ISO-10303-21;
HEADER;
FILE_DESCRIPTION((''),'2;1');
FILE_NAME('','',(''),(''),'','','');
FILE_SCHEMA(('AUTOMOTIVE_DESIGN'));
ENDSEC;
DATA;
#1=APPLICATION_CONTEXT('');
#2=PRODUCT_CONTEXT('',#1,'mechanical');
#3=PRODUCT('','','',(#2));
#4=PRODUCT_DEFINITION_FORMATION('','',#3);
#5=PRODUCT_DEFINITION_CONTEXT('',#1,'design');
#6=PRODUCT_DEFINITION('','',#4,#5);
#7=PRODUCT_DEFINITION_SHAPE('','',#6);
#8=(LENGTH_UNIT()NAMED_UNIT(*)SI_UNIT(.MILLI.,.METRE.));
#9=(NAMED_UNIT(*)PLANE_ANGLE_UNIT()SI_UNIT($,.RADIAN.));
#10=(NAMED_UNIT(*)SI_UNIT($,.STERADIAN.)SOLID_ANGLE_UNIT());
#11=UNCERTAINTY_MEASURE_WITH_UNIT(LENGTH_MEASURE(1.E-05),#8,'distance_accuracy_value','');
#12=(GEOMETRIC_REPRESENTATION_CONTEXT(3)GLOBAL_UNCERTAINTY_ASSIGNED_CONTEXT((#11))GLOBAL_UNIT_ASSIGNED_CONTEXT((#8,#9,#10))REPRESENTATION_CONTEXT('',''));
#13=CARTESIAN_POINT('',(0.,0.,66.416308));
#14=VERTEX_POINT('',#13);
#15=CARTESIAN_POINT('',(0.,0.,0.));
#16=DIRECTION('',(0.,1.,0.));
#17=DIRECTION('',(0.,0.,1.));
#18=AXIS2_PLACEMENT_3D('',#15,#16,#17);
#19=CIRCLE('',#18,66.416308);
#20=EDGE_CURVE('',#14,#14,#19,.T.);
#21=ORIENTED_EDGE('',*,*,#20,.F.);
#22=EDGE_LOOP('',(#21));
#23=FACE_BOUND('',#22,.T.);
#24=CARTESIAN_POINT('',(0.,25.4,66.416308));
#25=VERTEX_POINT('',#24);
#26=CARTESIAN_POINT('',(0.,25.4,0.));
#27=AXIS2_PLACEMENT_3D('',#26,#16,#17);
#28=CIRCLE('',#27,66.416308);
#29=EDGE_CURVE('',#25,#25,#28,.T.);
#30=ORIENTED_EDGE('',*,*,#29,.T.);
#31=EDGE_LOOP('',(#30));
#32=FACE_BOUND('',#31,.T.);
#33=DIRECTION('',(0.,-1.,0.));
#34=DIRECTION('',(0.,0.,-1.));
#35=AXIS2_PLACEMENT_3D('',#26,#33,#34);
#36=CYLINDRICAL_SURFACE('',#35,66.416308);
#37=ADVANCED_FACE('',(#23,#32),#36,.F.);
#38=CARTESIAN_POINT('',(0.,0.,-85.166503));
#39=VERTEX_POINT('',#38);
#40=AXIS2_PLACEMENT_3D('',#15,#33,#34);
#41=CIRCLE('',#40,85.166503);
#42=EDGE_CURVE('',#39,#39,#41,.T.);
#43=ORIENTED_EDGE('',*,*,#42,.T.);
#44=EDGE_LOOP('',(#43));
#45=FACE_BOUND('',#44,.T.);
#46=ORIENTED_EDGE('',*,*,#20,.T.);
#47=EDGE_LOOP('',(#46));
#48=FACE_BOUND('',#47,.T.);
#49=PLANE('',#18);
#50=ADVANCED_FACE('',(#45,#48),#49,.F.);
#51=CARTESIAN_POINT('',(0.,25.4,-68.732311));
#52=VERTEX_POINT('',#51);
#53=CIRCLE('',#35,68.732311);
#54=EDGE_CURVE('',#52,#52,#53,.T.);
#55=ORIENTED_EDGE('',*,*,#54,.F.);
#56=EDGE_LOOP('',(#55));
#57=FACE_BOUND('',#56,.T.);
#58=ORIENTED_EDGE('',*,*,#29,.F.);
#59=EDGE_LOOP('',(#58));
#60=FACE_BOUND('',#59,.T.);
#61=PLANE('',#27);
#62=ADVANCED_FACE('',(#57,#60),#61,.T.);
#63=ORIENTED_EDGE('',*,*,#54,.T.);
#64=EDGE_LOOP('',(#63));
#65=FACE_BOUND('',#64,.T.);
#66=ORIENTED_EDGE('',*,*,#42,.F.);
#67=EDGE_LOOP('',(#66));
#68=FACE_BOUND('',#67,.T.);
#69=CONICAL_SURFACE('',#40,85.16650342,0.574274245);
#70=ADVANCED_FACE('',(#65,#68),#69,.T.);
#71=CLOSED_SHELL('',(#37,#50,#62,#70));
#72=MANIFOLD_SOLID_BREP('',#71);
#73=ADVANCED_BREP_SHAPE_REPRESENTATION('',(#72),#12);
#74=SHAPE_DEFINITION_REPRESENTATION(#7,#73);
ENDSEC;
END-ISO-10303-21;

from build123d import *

# Parameters (mm, degrees)
SKETCH2_R           = 85.16650342
SKETCH2_R_2         = 66.416308437
BOSS_EXTRUDE1_DEPTH = 25.4


with BuildPart() as part:
    # Sketch2 → Boss-Extrude1 (new body)
    with BuildSketch(Plane(origin=(0, 0, 0), x_dir=(1, 0, 0), z_dir=(0, 1, 0))):
        with Locations(Location((0, 0, 0), (0, 0, 270))):
            Circle(SKETCH2_R)
        with Locations(Location((0, 0, 0), (0, 0, 270))):
            Circle(SKETCH2_R_2, mode=Mode.SUBTRACT)
    extrude(amount=BOSS_EXTRUDE1_DEPTH)

    # Sketch5 → Cut-Revolve2 (revolve, cut)
    with BuildSketch(Plane(origin=(0, 0, 0), x_dir=(0, 0, -1), z_dir=(1, 0, 0)), mode=Mode.PRIVATE) as cut_revolve2_sk:
        Polygon((-85.16650342, 0), (-68.732311403, 25.4), (-85.16650342, 25.4), align=None)
    revolve(cut_revolve2_sk.sketch.rotate(Axis((0, 0, 0), (0, 1, 0)), 180), axis=Axis((0, 0, 0), (0, 1, 0)), mode=Mode.SUBTRACT)


solid = part.part
